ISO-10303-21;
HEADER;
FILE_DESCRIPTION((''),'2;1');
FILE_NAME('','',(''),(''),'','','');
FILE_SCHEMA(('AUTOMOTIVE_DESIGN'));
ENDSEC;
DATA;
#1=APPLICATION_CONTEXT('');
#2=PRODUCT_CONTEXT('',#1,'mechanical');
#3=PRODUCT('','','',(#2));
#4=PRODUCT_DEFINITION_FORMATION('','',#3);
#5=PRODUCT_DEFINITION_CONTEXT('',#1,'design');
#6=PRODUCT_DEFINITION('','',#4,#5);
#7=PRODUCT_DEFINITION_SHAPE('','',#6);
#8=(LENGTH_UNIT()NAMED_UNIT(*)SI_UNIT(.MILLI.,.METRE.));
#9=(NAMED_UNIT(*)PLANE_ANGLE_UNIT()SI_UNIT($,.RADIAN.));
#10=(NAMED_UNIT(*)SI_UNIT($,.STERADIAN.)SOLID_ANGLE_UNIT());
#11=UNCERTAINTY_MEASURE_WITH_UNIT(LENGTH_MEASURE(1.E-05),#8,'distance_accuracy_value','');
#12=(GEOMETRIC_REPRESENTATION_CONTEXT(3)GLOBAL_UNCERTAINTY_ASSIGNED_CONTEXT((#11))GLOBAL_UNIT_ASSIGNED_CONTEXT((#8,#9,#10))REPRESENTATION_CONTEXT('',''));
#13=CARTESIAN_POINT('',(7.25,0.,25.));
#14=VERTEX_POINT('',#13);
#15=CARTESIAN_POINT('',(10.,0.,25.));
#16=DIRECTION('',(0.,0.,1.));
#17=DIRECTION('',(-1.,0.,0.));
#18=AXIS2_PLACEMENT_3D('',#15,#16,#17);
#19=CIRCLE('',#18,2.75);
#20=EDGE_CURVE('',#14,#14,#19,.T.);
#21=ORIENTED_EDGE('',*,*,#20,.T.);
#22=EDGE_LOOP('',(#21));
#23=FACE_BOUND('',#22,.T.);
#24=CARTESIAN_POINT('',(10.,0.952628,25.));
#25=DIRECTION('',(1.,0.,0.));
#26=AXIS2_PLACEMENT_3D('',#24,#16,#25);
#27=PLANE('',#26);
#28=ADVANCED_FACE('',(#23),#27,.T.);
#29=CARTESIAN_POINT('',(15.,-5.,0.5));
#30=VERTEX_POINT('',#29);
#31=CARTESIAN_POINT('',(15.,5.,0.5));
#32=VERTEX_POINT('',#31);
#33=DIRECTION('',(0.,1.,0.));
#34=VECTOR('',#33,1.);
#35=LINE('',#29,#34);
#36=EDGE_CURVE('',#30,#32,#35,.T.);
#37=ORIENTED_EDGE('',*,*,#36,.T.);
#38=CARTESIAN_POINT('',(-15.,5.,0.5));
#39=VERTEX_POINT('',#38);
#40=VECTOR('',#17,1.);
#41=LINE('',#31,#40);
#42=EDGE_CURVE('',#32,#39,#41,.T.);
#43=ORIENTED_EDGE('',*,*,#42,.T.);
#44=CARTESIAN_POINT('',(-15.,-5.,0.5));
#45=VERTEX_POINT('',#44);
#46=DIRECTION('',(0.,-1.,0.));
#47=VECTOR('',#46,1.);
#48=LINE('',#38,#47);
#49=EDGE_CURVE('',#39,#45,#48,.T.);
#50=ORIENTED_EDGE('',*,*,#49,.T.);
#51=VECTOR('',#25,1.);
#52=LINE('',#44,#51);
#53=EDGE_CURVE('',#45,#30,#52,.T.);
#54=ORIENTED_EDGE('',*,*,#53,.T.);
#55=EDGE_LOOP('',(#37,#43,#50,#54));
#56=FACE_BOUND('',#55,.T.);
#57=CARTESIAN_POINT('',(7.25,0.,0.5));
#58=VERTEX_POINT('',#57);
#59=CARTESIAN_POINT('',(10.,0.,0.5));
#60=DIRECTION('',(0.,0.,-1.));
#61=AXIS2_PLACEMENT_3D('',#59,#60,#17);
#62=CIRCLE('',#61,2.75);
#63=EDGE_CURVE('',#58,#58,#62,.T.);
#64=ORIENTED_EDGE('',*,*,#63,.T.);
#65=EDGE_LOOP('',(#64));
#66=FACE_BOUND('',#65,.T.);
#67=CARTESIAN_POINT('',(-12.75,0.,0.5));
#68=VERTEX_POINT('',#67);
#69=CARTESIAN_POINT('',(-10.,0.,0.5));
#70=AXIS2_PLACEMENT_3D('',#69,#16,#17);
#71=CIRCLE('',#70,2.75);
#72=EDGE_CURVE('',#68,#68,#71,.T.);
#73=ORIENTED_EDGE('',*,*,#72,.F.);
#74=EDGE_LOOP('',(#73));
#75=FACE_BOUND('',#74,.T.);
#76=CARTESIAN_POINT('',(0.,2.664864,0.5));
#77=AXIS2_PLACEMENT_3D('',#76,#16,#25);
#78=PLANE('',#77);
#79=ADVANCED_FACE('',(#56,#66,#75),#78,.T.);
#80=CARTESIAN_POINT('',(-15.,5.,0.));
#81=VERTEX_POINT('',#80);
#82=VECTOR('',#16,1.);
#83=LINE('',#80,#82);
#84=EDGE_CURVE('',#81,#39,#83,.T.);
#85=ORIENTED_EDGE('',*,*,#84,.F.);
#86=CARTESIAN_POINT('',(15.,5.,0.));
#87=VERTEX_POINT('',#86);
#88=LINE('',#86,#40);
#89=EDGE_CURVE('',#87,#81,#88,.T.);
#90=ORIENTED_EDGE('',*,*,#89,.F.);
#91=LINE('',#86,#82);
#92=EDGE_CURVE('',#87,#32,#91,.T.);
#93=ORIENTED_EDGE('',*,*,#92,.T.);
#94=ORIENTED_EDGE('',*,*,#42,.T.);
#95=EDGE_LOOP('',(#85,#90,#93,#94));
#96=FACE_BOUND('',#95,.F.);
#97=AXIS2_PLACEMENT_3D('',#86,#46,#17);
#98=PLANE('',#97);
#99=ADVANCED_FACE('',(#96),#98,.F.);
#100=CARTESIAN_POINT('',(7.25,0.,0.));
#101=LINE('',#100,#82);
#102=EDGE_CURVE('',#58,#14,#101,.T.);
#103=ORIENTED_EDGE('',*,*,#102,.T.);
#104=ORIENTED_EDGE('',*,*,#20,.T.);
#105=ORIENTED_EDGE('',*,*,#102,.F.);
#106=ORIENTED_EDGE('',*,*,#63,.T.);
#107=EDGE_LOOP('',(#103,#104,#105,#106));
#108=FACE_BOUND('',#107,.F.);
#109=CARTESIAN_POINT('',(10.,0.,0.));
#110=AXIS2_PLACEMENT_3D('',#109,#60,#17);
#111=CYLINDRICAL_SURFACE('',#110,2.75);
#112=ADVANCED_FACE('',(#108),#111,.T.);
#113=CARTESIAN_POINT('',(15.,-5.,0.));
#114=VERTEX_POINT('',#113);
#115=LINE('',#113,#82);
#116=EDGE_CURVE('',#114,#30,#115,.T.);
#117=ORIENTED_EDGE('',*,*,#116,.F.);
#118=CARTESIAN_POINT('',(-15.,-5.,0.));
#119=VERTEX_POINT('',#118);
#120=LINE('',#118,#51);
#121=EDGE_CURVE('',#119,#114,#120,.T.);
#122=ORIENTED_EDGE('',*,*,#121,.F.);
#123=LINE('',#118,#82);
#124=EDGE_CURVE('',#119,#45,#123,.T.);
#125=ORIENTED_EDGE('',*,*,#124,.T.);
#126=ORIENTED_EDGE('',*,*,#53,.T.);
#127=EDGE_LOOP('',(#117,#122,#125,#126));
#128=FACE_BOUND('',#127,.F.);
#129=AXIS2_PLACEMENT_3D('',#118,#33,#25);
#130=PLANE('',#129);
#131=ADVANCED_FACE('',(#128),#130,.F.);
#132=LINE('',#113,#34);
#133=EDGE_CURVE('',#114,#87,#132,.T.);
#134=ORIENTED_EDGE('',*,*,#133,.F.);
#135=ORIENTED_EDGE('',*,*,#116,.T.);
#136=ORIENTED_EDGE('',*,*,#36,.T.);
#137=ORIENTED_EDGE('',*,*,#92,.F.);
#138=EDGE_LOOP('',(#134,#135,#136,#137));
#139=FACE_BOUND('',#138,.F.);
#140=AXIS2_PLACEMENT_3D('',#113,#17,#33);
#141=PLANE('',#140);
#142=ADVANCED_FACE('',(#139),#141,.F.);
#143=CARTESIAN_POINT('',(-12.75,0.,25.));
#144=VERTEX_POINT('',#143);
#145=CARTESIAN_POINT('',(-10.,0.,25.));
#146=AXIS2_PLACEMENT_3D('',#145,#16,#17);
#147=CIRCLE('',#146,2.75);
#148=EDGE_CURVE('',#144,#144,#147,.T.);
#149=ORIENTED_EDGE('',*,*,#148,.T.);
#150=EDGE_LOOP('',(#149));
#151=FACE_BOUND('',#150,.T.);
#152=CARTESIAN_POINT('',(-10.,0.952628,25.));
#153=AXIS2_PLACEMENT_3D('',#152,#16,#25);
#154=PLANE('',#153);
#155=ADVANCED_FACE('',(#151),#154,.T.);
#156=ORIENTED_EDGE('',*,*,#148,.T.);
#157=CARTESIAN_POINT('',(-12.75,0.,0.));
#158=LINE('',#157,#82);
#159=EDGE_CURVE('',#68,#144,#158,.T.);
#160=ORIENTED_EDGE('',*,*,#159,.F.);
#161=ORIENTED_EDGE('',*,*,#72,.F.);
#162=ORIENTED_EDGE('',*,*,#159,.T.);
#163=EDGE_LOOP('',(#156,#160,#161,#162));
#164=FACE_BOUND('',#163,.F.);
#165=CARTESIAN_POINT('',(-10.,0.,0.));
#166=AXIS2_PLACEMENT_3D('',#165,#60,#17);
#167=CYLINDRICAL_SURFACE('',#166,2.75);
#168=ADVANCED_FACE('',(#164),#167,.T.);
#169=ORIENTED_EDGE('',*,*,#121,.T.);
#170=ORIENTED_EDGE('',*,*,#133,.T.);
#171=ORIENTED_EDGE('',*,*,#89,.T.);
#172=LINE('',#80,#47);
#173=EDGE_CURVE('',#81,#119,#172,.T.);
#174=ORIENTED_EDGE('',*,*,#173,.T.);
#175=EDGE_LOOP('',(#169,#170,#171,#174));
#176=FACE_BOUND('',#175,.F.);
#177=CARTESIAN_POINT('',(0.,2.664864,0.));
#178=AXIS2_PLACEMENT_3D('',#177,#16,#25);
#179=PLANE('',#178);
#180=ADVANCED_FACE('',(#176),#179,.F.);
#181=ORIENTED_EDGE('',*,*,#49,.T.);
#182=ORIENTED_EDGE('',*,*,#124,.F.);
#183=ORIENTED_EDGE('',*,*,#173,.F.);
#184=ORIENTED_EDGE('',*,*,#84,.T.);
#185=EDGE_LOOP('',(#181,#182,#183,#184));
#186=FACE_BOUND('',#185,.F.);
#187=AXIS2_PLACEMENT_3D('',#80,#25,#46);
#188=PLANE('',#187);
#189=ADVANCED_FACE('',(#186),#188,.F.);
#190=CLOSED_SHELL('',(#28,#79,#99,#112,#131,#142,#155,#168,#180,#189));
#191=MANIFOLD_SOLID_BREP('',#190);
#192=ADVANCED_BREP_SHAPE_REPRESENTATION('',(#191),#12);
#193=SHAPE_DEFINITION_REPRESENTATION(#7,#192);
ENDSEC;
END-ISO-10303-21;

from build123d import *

# Parameters (mm, degrees)
F1_DEPTH = 0.5
F2_DEPTH = 25


with BuildPart() as f1:
    # F0 (on Top) → F1 (new body)
    with BuildSketch(Plane.XY):
        with BuildLine():
            Line((15, 0), (15, 5))
            Line((15, 5), (-15, 5))
            Line((-15, 5), (-15, 0))
            Line((-15, 0), (-12.75, 0))
            ThreePointArc((-12.75, 0), (-10, 2.75), (-7.25, 0))
            Line((-7.25, 0), (7.25, 0))
            ThreePointArc((7.25, 0), (10, 2.75), (12.75, 0))
            Line((12.75, 0), (15, 0))
        make_face()
        with BuildLine():
            Line((15, -5), (15, 0))
            Line((15, 0), (12.75, 0))
            ThreePointArc((12.75, 0), (10, -2.75), (7.25, 0))
            Line((7.25, 0), (-7.25, 0))
            ThreePointArc((-7.25, 0), (-10, -2.75), (-12.75, 0))
            Line((-12.75, 0), (-15, 0))
            Line((-15, 0), (-15, -5))
            Line((-15, -5), (15, -5))
        make_face()
    extrude(amount=F1_DEPTH)

    # F0 (on Top) → F2 (join)
    with BuildSketch(Plane.XY):
        with BuildLine():
            ThreePointArc((-7.25, 0), (-10, 2.75), (-12.75, 0))
            Line((-12.75, 0), (-10, 0))
            Line((-10, 0), (-7.25, 0))
        make_face()
        with BuildLine():
            Line((-10, 0), (-12.75, 0))
            ThreePointArc((-12.75, 0), (-10, -2.75), (-7.25, 0))
            Line((-7.25, 0), (-10, 0))
        make_face()
        with BuildLine():
            Line((10, 0), (12.75, 0))
            ThreePointArc((12.75, 0), (10, 2.75), (7.25, 0))
            Line((7.25, 0), (10, 0))
        make_face()
        with BuildLine():
            ThreePointArc((7.25, 0), (10, -2.75), (12.75, 0))
            Line((12.75, 0), (10, 0))
            Line((10, 0), (7.25, 0))
        make_face()
    extrude(amount=F2_DEPTH)


solid = f1.part
